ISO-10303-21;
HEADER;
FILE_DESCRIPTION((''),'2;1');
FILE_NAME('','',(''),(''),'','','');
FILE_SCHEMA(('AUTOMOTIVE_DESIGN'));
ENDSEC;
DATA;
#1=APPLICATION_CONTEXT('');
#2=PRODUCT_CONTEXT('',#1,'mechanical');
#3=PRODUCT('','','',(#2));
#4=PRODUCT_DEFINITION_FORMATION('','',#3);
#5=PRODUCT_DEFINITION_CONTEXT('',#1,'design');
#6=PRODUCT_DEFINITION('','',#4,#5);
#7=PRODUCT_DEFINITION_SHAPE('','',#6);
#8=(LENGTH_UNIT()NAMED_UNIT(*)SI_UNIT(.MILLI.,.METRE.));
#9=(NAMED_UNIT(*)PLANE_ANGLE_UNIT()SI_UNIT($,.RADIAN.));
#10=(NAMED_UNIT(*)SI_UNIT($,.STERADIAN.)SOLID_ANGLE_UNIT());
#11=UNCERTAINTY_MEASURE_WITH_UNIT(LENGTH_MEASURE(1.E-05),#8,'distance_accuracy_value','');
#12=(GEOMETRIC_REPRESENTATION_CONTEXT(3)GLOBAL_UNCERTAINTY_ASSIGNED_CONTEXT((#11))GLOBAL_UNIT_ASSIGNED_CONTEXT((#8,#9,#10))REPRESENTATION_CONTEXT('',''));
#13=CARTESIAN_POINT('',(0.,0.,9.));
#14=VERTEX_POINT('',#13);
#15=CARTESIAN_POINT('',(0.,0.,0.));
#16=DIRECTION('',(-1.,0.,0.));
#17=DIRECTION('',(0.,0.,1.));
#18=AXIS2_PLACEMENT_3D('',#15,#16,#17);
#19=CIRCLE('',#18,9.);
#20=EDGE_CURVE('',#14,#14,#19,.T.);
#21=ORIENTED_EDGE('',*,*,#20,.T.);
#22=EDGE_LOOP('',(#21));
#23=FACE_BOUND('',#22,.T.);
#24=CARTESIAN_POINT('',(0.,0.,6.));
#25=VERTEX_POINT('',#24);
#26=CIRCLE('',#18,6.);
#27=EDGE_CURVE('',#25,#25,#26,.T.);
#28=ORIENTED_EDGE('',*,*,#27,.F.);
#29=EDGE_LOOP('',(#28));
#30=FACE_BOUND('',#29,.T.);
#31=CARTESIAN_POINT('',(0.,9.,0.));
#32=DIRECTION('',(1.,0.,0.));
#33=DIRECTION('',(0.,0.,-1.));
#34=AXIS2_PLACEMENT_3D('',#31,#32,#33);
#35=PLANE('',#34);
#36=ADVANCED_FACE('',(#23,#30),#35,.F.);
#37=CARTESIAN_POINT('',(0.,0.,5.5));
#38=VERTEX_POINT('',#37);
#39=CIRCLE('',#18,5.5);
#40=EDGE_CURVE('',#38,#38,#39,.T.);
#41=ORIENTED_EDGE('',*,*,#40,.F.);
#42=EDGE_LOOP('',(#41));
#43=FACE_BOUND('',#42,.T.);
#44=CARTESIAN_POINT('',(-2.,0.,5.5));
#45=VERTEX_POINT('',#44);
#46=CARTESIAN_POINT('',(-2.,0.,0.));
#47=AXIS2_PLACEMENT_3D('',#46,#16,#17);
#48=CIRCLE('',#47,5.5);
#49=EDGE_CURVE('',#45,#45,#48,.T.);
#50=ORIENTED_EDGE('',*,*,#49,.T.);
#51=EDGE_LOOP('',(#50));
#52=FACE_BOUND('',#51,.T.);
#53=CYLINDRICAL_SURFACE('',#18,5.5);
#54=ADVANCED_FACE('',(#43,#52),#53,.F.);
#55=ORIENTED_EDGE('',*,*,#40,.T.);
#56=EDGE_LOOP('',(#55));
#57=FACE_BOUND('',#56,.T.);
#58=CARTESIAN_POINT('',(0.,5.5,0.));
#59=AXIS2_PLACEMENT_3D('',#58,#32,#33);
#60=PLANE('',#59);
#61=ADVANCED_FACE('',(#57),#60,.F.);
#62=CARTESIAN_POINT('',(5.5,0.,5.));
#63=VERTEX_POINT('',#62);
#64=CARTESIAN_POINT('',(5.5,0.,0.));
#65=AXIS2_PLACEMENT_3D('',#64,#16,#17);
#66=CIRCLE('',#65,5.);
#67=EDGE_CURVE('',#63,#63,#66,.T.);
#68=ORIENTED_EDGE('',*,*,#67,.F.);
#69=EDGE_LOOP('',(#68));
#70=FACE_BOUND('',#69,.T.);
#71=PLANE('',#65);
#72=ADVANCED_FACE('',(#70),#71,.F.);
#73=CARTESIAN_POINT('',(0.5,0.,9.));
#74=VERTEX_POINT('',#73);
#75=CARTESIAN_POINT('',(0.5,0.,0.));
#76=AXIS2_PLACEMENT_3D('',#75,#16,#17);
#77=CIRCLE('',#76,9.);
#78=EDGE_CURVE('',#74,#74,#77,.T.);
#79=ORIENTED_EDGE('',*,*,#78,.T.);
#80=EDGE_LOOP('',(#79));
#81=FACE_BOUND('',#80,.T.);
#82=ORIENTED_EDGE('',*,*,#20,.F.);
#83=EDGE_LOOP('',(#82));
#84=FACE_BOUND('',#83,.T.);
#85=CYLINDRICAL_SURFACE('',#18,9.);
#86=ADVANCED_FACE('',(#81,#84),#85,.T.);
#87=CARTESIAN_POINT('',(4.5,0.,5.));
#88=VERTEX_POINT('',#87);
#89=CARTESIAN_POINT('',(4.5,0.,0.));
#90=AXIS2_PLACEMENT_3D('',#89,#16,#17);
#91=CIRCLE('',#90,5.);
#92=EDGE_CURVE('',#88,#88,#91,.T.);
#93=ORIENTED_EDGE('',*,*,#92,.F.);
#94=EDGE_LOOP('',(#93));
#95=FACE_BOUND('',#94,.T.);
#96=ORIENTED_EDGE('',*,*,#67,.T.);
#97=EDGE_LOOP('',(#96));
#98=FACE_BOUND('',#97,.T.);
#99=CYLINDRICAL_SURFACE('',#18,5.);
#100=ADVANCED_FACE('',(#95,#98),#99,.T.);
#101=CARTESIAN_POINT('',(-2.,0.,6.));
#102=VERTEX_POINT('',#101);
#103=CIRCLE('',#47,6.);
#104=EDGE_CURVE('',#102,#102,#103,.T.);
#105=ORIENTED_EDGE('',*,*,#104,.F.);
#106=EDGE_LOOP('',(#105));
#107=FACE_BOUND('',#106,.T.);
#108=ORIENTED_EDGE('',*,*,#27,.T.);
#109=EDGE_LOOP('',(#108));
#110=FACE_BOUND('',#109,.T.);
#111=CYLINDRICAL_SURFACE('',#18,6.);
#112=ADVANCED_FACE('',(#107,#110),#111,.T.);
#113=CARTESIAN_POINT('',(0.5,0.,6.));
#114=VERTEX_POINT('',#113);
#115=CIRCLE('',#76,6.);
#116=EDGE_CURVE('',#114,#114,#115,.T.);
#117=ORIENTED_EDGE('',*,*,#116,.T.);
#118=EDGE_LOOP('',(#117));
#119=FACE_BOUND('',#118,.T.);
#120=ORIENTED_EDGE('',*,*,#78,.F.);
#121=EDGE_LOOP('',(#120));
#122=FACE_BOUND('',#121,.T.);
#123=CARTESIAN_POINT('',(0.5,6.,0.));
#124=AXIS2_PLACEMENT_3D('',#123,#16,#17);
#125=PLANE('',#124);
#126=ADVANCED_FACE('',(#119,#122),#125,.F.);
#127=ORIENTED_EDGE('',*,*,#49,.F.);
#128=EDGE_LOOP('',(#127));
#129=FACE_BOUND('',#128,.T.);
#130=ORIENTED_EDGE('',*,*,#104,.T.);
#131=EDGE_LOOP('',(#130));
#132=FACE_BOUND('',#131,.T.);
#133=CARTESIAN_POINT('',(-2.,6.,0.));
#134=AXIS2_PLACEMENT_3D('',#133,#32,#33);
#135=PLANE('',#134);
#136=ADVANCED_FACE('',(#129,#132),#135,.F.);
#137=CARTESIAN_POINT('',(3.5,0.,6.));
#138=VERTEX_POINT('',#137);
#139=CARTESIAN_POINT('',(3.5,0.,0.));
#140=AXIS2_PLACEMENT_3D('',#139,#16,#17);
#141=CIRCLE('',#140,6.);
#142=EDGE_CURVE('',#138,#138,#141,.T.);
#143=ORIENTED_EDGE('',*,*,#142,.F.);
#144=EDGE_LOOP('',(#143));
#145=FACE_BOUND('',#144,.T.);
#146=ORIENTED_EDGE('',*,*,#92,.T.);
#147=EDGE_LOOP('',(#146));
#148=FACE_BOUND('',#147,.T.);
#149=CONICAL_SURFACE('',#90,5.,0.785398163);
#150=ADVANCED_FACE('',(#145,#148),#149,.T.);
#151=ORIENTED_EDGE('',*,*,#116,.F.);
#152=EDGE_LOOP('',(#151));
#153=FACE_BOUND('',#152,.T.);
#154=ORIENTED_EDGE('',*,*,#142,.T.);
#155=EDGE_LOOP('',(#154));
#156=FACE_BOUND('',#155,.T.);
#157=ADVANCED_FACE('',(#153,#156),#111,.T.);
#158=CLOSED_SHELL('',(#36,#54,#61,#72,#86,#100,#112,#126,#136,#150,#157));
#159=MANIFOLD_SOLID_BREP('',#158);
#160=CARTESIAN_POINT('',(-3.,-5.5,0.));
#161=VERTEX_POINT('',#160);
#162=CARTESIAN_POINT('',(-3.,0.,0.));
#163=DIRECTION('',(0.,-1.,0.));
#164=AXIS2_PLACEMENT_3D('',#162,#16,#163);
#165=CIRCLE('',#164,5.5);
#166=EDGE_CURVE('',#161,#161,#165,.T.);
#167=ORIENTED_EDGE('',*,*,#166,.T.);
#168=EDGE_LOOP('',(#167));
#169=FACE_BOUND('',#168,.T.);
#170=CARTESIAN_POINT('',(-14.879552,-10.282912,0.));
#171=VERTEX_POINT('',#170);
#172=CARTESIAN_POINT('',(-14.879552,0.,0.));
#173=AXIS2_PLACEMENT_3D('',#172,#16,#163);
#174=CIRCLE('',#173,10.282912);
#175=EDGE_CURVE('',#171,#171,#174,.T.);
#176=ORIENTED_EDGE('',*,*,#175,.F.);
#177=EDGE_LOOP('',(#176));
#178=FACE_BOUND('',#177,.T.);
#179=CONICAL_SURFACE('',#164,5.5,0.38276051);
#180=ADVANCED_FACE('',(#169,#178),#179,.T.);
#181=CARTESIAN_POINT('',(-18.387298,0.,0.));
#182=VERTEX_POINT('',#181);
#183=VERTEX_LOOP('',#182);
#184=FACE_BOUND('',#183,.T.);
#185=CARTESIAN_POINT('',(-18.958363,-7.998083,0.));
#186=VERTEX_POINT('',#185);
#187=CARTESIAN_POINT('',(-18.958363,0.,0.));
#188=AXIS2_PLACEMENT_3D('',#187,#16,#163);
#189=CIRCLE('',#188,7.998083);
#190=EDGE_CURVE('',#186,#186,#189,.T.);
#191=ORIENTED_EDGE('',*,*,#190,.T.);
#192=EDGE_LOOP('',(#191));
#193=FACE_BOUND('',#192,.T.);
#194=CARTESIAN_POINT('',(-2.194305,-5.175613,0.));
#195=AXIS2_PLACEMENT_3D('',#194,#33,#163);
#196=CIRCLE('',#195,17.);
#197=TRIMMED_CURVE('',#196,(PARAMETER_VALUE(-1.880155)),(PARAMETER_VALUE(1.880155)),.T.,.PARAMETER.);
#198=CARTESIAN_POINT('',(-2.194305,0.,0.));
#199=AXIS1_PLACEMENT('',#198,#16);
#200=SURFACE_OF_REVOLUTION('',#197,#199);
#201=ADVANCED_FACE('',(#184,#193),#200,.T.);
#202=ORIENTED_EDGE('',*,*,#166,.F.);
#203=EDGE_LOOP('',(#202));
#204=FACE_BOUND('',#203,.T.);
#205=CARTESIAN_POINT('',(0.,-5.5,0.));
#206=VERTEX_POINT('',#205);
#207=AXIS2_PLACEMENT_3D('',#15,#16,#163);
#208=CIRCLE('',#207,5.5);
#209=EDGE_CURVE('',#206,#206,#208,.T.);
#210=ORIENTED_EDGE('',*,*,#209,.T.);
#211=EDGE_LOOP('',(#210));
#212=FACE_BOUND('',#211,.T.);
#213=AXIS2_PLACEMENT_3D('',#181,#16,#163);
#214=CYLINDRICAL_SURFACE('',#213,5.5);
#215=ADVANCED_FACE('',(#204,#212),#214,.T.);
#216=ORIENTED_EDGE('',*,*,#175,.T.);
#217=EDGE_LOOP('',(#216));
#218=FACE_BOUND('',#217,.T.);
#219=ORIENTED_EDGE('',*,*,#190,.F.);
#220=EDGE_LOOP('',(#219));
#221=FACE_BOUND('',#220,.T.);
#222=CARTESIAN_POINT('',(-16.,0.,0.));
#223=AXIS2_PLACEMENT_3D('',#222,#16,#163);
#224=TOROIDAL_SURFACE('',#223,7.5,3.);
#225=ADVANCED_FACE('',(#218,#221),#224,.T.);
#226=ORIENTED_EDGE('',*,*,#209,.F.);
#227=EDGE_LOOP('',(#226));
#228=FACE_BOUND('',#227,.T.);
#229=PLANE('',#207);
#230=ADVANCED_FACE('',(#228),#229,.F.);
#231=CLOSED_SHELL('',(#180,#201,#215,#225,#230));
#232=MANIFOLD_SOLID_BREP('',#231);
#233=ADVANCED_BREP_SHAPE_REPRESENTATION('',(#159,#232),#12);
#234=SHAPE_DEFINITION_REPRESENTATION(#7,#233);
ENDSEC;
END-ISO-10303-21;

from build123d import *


with BuildPart() as part:
    # Szkic1 → Obrót1 (revolve)
    with BuildSketch(Plane.XY, mode=Mode.PRIVATE) as obr_t1_sk:
        Polygon((0, 0), (5.5, 0), (5.5, 5), (4.5, 5), (3.5, 6), (0.5, 6), (0.5, 9), (0, 9), (0, 6), (-2, 6), (-2, 5.5), (0, 5.5), align=None)
    revolve(obr_t1_sk.sketch.rotate(Axis((0, 0, 0), (1, 0, 0)), 90), axis=Axis((0, 0, 0), (1, 0, 0)))


with BuildPart() as body_2:
    # Szkic2 → Obrót2 (revolve)
    with BuildSketch(Plane.XY, mode=Mode.PRIVATE) as obr_t2_sk:
        with BuildLine():
            Line((0, 0), (0, 5.5))
            Line((0, 5.5), (-3, 5.5))
            Line((-3, 5.5), (-14.879552076, 10.282911506))
            ThreePointArc((-14.879552076, 10.282911506), (-17.466149273, 10.117328086), (-18.958363304, 7.998082886))
            ThreePointArc((-18.958363304, 7.998082886), (-19.151136536, 3.964890249), (-18.387297757, 0))
            Line((-18.387297757, 0), (0, 0))
        make_face()
    revolve(obr_t2_sk.sketch.rotate(Axis((-18.387297757, 0, 0), (1, 0, 0)), 180), axis=Axis((-18.387297757, 0, 0), (1, 0, 0)))


solid = Compound([part.part, body_2.part])
